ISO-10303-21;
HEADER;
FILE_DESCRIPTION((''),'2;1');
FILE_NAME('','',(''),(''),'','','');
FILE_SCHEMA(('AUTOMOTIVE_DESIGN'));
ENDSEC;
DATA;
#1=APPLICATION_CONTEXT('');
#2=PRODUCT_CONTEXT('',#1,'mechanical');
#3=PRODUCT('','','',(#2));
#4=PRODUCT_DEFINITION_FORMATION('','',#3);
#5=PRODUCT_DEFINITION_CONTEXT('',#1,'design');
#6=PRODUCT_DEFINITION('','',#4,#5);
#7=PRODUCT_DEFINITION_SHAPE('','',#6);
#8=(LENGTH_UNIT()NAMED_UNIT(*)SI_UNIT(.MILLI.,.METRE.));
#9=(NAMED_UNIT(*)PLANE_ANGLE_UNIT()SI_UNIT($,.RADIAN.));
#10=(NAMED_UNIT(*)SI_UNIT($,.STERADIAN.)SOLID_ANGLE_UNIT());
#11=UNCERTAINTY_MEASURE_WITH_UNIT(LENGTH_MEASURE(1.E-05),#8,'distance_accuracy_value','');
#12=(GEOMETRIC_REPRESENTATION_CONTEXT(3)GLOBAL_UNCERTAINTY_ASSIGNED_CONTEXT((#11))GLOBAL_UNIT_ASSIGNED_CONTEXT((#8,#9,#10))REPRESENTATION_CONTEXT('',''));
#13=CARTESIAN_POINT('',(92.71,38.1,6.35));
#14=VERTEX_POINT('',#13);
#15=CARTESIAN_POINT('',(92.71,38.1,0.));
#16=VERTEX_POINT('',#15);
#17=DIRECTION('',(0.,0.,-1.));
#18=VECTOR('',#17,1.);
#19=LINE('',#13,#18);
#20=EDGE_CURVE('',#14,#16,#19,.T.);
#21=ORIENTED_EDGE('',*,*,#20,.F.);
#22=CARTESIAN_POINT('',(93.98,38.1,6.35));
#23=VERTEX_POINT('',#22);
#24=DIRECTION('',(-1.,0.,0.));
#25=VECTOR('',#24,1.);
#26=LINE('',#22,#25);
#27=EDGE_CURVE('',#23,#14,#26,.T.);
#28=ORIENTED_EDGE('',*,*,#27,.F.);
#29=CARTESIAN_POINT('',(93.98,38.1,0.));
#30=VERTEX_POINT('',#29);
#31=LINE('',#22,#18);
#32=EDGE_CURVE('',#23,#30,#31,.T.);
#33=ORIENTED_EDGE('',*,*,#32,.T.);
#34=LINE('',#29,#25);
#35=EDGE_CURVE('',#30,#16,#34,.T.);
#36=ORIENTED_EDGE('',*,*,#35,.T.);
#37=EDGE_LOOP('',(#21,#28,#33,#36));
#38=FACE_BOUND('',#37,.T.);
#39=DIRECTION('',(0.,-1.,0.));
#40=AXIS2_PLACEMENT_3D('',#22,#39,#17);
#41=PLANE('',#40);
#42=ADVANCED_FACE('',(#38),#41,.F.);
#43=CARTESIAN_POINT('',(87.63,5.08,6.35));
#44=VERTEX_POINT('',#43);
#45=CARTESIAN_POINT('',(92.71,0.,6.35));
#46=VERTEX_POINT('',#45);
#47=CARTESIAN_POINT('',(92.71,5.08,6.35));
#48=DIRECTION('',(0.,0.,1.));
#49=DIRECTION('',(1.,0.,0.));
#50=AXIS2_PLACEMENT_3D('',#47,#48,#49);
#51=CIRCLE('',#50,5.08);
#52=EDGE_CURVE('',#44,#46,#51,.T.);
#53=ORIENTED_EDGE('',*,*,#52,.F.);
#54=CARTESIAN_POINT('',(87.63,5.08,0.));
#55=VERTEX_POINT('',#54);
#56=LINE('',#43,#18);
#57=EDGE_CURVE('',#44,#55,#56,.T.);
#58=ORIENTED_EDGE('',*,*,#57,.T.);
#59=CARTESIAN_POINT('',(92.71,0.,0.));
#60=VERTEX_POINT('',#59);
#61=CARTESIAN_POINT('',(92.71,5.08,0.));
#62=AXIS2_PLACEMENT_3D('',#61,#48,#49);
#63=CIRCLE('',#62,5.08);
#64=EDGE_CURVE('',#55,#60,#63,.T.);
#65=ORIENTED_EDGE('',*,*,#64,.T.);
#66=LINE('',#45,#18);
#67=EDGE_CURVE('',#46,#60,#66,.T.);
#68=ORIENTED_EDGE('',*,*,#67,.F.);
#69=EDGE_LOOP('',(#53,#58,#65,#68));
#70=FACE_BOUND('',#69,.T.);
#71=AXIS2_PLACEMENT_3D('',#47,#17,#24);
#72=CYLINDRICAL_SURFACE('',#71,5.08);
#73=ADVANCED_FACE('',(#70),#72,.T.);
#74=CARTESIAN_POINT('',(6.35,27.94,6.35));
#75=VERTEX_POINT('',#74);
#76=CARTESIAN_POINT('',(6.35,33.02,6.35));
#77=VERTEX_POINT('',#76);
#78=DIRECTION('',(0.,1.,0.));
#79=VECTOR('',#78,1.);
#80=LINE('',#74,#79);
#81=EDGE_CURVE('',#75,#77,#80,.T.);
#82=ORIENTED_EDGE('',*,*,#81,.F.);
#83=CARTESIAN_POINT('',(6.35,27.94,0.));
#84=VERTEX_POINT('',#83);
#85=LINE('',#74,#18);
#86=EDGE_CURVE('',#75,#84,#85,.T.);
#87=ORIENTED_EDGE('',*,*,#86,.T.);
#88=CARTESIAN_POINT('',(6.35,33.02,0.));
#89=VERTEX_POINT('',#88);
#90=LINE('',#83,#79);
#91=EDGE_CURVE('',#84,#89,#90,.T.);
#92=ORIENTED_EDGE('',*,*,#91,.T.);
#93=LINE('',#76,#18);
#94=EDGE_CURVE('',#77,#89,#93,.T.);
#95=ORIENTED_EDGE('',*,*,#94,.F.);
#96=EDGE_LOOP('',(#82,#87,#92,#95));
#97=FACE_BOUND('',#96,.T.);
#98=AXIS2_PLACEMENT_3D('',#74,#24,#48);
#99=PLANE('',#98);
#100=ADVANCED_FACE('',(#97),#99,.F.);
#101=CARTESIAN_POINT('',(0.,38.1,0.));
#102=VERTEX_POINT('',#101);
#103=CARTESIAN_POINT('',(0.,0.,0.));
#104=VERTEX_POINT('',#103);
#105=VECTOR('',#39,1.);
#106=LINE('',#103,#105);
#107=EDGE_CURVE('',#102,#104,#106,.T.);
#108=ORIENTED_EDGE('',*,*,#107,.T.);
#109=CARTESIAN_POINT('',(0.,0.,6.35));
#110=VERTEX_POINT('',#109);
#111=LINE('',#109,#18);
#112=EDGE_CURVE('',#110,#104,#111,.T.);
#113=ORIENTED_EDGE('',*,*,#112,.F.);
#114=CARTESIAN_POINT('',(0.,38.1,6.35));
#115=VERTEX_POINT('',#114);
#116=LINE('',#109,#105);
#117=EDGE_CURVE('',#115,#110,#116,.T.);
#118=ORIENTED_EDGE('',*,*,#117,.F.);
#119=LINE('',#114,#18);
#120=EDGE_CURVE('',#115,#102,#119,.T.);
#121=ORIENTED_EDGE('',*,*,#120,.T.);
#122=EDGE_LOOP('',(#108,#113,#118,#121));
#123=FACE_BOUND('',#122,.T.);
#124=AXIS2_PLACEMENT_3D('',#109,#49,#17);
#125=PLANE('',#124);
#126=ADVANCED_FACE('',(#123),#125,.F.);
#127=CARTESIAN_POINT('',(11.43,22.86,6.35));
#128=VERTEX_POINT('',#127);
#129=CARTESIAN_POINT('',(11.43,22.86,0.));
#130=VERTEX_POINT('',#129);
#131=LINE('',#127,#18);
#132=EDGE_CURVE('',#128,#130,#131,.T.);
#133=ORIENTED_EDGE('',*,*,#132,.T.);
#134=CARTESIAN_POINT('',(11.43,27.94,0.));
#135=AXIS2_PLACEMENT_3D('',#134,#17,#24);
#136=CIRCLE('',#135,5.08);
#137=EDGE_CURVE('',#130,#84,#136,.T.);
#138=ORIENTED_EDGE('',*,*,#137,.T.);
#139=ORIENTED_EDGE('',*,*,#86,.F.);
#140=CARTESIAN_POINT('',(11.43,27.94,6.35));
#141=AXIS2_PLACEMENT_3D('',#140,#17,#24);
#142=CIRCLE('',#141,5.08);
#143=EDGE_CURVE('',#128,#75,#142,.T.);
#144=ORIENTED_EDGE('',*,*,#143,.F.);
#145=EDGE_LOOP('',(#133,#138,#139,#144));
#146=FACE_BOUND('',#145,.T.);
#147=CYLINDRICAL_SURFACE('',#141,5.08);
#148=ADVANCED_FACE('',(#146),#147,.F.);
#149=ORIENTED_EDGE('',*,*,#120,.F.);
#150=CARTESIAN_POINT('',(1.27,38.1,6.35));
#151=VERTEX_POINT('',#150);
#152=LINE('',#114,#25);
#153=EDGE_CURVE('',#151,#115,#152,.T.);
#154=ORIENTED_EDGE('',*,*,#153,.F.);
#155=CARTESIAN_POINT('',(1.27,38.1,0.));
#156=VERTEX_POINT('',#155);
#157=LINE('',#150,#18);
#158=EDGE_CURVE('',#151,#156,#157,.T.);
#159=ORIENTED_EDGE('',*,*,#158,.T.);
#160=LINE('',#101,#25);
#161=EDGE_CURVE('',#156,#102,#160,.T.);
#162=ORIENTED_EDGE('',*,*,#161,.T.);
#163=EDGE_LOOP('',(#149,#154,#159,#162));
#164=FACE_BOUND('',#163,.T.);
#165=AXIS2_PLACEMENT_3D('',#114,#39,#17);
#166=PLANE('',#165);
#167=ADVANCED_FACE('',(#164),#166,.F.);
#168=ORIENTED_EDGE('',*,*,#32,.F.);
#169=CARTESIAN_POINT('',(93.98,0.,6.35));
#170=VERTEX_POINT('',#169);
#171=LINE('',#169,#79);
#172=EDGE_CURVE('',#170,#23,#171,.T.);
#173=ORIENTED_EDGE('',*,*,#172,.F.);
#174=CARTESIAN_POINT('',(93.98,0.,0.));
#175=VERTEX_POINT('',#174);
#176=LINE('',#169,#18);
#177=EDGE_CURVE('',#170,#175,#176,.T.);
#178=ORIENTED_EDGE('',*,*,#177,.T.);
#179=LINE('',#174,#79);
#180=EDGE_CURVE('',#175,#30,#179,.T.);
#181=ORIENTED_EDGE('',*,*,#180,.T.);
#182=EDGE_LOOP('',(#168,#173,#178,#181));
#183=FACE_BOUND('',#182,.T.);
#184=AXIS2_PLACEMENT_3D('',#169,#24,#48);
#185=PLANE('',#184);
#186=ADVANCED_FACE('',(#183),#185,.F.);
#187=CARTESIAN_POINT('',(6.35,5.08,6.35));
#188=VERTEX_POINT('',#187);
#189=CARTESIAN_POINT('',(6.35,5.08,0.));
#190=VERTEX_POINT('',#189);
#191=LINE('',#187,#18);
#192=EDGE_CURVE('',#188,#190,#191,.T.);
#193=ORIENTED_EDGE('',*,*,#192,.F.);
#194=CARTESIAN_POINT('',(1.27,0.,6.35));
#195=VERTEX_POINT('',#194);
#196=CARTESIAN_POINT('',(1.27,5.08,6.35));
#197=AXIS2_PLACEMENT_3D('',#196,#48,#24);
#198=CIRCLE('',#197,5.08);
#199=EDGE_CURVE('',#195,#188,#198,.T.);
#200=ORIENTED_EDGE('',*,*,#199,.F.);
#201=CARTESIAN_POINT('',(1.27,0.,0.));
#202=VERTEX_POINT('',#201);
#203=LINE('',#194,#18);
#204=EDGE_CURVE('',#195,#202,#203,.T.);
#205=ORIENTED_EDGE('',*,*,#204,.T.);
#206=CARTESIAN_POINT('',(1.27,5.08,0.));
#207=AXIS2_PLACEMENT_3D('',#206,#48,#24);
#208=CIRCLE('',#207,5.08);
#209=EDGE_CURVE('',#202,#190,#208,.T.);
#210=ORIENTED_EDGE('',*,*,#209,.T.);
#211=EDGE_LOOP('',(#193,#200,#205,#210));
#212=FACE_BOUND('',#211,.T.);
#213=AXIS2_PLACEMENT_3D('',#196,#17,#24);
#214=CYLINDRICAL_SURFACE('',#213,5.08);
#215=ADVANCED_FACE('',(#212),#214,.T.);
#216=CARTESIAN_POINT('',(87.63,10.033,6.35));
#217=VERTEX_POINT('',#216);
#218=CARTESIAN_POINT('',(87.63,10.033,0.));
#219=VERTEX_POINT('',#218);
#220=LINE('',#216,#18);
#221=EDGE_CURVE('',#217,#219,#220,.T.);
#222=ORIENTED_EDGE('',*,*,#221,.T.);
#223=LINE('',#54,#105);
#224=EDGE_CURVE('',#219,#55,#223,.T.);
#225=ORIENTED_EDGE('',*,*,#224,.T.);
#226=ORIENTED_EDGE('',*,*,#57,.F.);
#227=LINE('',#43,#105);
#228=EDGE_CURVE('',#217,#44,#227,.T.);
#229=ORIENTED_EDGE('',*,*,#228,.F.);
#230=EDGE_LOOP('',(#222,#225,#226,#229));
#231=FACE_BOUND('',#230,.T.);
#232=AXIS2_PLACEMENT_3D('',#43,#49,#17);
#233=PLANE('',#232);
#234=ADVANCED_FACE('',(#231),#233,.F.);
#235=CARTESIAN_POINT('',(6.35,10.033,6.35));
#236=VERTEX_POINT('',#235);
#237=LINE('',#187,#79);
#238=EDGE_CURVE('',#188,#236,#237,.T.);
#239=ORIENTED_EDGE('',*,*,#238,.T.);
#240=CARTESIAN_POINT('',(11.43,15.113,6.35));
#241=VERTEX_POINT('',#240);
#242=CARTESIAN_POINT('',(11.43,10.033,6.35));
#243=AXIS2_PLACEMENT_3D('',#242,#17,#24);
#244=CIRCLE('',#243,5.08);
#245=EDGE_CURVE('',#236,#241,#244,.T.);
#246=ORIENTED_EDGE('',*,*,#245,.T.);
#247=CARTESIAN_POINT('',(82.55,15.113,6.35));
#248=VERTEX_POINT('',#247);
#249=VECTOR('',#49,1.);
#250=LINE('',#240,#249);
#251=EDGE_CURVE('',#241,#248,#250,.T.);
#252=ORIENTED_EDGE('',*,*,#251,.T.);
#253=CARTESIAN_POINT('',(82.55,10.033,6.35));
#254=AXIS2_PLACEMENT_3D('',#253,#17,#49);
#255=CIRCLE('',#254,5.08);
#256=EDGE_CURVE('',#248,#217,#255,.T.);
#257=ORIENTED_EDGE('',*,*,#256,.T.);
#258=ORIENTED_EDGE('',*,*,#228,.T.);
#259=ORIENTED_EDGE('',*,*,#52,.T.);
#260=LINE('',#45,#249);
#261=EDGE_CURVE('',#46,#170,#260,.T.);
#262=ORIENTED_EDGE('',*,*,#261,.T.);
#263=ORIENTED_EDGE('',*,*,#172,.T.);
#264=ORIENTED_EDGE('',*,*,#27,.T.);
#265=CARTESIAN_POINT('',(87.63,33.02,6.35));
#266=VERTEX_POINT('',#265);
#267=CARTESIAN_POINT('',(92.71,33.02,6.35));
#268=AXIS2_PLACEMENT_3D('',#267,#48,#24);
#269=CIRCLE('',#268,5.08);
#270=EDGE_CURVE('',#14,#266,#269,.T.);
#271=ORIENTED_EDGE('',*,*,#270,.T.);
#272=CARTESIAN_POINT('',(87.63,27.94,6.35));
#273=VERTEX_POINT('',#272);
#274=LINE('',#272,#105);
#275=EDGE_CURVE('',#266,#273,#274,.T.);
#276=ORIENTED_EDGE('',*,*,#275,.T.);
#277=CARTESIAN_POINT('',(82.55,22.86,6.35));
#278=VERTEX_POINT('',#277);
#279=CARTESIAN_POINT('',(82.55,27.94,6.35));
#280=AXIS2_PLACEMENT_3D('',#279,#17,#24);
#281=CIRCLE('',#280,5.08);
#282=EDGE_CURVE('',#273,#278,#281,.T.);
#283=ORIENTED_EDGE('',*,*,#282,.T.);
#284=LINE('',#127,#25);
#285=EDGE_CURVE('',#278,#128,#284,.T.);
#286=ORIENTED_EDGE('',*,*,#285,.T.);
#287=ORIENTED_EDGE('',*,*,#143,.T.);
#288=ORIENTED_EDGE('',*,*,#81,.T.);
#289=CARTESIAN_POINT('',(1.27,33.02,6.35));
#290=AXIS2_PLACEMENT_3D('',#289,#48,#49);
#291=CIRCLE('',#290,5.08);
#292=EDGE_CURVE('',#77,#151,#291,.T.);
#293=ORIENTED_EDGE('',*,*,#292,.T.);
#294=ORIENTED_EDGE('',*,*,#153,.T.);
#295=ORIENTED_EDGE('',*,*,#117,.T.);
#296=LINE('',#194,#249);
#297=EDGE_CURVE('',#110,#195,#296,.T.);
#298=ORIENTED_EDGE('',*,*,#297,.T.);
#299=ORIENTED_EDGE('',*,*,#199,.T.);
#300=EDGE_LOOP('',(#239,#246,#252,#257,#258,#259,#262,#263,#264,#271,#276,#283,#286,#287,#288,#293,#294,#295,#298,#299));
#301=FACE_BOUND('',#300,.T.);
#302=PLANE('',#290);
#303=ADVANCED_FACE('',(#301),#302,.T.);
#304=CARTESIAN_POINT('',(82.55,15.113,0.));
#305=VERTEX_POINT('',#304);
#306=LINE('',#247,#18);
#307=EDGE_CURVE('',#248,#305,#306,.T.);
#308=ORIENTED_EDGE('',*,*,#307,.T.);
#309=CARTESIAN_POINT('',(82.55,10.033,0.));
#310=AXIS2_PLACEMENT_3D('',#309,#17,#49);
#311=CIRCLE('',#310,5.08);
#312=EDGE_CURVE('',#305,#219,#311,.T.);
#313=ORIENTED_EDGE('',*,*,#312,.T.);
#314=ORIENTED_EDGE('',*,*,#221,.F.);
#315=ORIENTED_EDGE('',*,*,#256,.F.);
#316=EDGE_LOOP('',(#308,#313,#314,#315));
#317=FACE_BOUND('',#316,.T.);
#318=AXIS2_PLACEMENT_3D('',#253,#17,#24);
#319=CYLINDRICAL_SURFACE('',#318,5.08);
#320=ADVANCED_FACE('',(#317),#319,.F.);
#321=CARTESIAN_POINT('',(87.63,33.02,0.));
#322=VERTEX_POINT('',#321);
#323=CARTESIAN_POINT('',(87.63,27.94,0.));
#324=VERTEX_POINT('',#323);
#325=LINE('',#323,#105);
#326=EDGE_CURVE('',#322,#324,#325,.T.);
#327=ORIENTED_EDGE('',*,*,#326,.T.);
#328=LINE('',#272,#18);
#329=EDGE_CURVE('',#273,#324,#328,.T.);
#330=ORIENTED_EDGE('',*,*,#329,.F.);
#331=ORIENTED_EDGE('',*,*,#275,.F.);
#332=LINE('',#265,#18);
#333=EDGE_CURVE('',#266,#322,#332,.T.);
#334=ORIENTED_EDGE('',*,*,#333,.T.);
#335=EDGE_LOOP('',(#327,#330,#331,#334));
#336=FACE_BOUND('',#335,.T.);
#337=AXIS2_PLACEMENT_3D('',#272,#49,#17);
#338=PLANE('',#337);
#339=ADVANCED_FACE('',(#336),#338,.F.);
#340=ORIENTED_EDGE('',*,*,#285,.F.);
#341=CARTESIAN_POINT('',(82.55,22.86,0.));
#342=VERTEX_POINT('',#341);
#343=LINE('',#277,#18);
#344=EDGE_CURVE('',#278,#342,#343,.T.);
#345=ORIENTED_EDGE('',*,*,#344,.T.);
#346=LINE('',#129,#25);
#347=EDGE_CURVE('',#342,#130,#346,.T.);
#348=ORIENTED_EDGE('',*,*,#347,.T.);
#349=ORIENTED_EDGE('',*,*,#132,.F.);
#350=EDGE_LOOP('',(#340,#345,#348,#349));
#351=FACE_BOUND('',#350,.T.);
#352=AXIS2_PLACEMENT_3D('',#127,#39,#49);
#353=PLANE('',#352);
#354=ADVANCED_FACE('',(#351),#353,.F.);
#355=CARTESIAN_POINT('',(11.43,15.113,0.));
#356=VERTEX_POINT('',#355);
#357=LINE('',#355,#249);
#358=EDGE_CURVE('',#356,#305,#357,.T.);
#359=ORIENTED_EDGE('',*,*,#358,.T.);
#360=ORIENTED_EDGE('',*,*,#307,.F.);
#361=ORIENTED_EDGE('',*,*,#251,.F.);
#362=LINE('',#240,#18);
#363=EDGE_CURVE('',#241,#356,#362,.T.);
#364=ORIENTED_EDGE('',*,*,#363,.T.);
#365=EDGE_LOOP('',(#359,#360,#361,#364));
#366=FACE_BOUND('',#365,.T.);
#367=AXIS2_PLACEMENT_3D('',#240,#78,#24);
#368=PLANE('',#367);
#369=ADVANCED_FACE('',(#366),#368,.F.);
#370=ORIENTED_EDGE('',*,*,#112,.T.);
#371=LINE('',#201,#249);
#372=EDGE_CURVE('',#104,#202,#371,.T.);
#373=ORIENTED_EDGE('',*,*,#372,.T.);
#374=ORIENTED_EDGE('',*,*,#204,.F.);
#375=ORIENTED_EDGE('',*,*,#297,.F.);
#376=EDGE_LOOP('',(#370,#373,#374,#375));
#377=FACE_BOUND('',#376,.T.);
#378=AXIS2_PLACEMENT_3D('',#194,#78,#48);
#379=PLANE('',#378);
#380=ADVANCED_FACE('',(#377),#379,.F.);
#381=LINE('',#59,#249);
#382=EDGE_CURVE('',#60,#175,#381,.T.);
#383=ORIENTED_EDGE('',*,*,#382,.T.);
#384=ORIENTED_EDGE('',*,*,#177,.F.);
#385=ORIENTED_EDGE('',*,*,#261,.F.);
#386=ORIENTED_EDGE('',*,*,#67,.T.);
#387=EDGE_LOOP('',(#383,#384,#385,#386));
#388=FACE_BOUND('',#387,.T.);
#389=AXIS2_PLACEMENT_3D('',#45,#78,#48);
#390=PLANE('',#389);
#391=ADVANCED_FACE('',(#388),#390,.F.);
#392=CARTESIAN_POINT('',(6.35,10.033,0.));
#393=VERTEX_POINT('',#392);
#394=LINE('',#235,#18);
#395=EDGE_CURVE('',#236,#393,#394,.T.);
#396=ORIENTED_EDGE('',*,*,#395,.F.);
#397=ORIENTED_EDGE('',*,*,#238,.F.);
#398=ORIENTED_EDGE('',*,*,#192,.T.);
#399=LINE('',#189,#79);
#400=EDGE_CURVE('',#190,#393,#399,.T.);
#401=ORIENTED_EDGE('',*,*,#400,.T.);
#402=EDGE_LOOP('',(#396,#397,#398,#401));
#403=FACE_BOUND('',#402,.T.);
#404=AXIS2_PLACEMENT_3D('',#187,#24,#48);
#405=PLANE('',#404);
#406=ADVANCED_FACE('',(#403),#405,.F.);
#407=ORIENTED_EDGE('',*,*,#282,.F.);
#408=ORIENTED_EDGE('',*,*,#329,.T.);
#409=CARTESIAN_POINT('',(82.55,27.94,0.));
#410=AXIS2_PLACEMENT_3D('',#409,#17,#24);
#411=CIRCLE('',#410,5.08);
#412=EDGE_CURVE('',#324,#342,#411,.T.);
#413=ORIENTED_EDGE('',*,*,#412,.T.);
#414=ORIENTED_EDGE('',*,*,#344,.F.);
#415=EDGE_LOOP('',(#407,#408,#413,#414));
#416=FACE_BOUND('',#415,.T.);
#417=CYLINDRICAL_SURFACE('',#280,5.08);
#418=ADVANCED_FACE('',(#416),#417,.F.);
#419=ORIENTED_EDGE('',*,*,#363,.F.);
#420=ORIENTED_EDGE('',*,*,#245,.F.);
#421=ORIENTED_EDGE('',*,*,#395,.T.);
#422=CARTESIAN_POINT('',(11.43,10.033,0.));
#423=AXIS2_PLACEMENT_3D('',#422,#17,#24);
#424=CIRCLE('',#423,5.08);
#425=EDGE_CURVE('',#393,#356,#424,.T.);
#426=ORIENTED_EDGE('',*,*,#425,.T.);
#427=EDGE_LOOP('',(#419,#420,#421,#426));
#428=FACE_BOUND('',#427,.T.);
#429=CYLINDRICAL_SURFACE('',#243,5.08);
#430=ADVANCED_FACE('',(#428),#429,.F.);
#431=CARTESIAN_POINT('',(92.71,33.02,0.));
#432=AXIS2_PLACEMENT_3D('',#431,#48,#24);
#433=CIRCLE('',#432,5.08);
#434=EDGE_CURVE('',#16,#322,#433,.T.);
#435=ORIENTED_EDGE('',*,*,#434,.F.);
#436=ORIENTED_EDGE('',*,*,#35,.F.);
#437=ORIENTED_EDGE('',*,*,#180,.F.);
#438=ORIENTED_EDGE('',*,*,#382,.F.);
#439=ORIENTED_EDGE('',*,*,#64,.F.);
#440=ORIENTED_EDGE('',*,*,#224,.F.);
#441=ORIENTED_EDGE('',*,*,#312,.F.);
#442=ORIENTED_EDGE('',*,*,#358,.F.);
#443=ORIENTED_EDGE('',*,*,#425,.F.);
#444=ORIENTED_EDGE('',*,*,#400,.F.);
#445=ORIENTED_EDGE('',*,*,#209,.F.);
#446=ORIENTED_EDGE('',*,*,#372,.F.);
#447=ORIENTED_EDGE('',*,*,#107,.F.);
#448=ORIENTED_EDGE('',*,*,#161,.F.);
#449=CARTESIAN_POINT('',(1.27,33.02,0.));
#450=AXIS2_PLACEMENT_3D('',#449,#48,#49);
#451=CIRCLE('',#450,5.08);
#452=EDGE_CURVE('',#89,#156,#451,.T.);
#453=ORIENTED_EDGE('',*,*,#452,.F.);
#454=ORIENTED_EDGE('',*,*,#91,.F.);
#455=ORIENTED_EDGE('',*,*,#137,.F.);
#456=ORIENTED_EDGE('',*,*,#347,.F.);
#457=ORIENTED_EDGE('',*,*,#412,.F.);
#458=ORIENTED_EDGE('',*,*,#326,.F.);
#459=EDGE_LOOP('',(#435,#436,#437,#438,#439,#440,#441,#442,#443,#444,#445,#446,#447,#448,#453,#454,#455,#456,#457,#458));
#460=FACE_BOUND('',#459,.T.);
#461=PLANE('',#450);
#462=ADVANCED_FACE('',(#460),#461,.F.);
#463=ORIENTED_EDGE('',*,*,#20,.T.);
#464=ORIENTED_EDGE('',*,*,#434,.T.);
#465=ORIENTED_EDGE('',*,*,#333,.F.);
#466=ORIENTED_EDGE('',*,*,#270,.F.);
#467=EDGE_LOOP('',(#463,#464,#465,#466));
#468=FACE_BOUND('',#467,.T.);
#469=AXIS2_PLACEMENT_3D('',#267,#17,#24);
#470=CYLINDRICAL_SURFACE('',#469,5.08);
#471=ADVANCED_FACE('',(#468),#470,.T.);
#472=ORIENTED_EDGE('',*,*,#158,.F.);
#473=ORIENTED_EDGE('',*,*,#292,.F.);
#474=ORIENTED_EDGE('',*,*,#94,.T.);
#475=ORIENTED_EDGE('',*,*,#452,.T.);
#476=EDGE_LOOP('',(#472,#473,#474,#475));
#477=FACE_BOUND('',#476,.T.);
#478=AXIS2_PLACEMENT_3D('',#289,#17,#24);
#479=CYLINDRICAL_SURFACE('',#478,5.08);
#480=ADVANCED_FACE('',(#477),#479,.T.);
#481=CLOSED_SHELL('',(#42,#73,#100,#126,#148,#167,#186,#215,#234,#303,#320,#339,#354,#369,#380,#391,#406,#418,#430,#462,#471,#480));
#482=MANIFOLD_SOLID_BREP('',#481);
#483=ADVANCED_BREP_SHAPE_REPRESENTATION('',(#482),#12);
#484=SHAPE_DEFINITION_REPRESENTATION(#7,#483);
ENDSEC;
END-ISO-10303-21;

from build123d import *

# Parameters (mm, degrees)
BOSS_EXTRUDE2_DEPTH = 6.35


with BuildPart() as part:
    # Sketch3 → Boss-Extrude2 (new body)
    with BuildSketch(Plane.XY):
        with BuildLine():
            Line((0, 0), (0, 38.1))
            Line((0, 38.1), (1.27, 38.1))
            ThreePointArc((1.27, 38.1), (4.862102448, 36.612102448), (6.35, 33.02))
            Line((6.35, 33.02), (6.35, 27.94))
            ThreePointArc((6.35, 27.94), (7.837897552, 24.347897552), (11.43, 22.86))
            Line((11.43, 22.86), (82.55, 22.86))
            ThreePointArc((82.55, 22.86), (86.142102448, 24.347897552), (87.63, 27.94))
            Line((87.63, 27.94), (87.63, 33.02))
            ThreePointArc((87.63, 33.02), (89.117897552, 36.612102448), (92.71, 38.1))
            Line((92.71, 38.1), (93.98, 38.1))
            Line((93.98, 38.1), (93.98, 0))
            Line((93.98, 0), (92.71, 0))
            ThreePointArc((92.71, 0), (89.117897552, 1.487897552), (87.63, 5.08))
            Line((87.63, 5.08), (87.63, 10.033))
            ThreePointArc((87.63, 10.033), (86.142102448, 13.625102448), (82.55, 15.113))
            Line((82.55, 15.113), (11.43, 15.113))
            ThreePointArc((11.43, 15.113), (7.837897552, 13.625102448), (6.35, 10.033))
            Line((6.35, 10.033), (6.35, 5.08))
            ThreePointArc((6.35, 5.08), (4.862102448, 1.487897552), (1.27, 0))
            Line((1.27, 0), (0, 0))
        make_face()
    extrude(amount=BOSS_EXTRUDE2_DEPTH)


solid = part.part
